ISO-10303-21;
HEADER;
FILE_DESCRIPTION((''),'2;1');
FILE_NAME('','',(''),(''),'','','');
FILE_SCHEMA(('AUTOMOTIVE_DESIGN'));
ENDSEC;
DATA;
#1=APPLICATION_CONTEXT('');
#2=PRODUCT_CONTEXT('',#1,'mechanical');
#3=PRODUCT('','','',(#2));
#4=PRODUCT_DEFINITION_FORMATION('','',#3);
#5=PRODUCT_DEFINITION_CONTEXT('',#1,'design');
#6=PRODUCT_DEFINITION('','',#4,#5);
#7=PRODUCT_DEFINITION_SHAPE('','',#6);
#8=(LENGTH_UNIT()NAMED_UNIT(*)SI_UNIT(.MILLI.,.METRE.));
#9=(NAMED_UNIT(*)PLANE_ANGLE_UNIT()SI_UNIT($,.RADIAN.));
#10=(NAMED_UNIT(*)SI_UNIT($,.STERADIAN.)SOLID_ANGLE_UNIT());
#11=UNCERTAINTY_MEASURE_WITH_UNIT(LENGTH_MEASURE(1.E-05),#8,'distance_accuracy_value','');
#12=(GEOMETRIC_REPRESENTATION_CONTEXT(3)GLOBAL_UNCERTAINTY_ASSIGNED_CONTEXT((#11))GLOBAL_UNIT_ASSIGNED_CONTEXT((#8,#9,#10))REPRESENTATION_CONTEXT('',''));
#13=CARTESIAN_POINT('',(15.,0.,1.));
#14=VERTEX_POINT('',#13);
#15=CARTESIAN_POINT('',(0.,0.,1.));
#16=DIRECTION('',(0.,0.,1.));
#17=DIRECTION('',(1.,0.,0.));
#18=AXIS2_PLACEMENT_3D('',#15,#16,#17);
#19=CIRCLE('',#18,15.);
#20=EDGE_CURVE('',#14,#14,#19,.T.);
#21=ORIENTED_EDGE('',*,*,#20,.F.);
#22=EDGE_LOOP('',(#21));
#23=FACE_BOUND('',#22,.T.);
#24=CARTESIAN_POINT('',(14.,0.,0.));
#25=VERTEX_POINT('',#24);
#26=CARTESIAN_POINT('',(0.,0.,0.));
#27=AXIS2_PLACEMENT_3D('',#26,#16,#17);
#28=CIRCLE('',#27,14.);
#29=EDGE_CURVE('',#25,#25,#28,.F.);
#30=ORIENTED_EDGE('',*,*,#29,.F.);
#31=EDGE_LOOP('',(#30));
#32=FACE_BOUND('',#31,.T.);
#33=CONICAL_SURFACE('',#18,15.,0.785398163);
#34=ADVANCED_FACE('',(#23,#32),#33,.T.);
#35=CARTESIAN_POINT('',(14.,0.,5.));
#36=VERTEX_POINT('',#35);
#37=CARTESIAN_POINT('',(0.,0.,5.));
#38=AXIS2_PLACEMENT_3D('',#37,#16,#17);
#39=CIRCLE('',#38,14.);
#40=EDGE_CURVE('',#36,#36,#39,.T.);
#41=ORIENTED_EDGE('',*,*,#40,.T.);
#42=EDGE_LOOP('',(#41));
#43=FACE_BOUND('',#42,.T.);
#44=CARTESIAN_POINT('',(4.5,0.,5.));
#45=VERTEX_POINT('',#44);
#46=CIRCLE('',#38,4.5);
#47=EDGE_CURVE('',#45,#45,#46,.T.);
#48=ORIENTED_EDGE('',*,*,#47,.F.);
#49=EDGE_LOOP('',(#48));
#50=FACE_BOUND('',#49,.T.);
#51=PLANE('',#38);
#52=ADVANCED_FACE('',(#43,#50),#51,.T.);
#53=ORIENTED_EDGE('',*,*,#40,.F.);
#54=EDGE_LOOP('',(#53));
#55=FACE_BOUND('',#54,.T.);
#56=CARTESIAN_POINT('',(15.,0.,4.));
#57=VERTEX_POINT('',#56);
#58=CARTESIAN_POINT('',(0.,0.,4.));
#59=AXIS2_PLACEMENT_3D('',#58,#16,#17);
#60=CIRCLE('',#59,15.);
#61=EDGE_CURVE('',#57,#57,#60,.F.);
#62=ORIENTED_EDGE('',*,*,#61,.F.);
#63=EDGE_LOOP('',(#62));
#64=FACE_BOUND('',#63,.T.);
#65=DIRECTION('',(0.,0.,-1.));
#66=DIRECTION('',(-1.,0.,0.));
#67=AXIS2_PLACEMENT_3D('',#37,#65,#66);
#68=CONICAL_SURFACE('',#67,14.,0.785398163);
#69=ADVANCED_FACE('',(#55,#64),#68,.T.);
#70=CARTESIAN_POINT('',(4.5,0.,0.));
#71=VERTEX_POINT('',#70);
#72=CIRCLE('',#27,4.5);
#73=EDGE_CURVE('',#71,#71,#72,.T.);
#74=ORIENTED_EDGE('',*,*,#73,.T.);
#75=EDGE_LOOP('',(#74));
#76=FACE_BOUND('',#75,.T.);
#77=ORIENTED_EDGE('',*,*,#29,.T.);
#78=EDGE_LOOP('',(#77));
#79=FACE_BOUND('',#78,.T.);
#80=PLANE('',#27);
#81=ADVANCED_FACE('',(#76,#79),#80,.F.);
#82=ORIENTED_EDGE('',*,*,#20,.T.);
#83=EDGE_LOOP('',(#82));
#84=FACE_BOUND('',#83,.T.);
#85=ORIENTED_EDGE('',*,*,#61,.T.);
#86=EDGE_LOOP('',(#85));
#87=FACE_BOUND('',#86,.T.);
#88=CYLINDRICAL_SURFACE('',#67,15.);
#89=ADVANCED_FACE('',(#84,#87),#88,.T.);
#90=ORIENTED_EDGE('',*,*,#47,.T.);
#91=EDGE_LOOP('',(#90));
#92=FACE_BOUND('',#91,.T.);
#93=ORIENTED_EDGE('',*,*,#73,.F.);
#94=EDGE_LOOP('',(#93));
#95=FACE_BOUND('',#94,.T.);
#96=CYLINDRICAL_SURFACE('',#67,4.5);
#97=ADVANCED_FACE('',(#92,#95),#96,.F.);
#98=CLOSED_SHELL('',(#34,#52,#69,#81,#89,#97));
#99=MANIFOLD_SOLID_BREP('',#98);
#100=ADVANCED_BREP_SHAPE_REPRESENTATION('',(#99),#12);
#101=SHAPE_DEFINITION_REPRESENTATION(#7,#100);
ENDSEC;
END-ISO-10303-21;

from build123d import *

# Parameters (mm, degrees)
SKETCH1_R           = 15
SKETCH1_R_2         = 4.5
BOSS_EXTRUDE1_DEPTH = 5
CHAMFER1_SIZE       = 1


with BuildPart() as part:
    # Sketch1 → Boss-Extrude1 (new body)
    with BuildSketch(Plane.XY):
        Circle(SKETCH1_R)
        Circle(SKETCH1_R_2, mode=Mode.SUBTRACT)
    extrude(amount=BOSS_EXTRUDE1_DEPTH)

    # Chamfer1
    chamfer1_edges = [part.edges().sort_by_distance(p)[0] for p in [
        (-15, 0, 0),
        (-15, 0, 5),
    ]]
    chamfer(chamfer1_edges, length=CHAMFER1_SIZE)


solid = part.part
